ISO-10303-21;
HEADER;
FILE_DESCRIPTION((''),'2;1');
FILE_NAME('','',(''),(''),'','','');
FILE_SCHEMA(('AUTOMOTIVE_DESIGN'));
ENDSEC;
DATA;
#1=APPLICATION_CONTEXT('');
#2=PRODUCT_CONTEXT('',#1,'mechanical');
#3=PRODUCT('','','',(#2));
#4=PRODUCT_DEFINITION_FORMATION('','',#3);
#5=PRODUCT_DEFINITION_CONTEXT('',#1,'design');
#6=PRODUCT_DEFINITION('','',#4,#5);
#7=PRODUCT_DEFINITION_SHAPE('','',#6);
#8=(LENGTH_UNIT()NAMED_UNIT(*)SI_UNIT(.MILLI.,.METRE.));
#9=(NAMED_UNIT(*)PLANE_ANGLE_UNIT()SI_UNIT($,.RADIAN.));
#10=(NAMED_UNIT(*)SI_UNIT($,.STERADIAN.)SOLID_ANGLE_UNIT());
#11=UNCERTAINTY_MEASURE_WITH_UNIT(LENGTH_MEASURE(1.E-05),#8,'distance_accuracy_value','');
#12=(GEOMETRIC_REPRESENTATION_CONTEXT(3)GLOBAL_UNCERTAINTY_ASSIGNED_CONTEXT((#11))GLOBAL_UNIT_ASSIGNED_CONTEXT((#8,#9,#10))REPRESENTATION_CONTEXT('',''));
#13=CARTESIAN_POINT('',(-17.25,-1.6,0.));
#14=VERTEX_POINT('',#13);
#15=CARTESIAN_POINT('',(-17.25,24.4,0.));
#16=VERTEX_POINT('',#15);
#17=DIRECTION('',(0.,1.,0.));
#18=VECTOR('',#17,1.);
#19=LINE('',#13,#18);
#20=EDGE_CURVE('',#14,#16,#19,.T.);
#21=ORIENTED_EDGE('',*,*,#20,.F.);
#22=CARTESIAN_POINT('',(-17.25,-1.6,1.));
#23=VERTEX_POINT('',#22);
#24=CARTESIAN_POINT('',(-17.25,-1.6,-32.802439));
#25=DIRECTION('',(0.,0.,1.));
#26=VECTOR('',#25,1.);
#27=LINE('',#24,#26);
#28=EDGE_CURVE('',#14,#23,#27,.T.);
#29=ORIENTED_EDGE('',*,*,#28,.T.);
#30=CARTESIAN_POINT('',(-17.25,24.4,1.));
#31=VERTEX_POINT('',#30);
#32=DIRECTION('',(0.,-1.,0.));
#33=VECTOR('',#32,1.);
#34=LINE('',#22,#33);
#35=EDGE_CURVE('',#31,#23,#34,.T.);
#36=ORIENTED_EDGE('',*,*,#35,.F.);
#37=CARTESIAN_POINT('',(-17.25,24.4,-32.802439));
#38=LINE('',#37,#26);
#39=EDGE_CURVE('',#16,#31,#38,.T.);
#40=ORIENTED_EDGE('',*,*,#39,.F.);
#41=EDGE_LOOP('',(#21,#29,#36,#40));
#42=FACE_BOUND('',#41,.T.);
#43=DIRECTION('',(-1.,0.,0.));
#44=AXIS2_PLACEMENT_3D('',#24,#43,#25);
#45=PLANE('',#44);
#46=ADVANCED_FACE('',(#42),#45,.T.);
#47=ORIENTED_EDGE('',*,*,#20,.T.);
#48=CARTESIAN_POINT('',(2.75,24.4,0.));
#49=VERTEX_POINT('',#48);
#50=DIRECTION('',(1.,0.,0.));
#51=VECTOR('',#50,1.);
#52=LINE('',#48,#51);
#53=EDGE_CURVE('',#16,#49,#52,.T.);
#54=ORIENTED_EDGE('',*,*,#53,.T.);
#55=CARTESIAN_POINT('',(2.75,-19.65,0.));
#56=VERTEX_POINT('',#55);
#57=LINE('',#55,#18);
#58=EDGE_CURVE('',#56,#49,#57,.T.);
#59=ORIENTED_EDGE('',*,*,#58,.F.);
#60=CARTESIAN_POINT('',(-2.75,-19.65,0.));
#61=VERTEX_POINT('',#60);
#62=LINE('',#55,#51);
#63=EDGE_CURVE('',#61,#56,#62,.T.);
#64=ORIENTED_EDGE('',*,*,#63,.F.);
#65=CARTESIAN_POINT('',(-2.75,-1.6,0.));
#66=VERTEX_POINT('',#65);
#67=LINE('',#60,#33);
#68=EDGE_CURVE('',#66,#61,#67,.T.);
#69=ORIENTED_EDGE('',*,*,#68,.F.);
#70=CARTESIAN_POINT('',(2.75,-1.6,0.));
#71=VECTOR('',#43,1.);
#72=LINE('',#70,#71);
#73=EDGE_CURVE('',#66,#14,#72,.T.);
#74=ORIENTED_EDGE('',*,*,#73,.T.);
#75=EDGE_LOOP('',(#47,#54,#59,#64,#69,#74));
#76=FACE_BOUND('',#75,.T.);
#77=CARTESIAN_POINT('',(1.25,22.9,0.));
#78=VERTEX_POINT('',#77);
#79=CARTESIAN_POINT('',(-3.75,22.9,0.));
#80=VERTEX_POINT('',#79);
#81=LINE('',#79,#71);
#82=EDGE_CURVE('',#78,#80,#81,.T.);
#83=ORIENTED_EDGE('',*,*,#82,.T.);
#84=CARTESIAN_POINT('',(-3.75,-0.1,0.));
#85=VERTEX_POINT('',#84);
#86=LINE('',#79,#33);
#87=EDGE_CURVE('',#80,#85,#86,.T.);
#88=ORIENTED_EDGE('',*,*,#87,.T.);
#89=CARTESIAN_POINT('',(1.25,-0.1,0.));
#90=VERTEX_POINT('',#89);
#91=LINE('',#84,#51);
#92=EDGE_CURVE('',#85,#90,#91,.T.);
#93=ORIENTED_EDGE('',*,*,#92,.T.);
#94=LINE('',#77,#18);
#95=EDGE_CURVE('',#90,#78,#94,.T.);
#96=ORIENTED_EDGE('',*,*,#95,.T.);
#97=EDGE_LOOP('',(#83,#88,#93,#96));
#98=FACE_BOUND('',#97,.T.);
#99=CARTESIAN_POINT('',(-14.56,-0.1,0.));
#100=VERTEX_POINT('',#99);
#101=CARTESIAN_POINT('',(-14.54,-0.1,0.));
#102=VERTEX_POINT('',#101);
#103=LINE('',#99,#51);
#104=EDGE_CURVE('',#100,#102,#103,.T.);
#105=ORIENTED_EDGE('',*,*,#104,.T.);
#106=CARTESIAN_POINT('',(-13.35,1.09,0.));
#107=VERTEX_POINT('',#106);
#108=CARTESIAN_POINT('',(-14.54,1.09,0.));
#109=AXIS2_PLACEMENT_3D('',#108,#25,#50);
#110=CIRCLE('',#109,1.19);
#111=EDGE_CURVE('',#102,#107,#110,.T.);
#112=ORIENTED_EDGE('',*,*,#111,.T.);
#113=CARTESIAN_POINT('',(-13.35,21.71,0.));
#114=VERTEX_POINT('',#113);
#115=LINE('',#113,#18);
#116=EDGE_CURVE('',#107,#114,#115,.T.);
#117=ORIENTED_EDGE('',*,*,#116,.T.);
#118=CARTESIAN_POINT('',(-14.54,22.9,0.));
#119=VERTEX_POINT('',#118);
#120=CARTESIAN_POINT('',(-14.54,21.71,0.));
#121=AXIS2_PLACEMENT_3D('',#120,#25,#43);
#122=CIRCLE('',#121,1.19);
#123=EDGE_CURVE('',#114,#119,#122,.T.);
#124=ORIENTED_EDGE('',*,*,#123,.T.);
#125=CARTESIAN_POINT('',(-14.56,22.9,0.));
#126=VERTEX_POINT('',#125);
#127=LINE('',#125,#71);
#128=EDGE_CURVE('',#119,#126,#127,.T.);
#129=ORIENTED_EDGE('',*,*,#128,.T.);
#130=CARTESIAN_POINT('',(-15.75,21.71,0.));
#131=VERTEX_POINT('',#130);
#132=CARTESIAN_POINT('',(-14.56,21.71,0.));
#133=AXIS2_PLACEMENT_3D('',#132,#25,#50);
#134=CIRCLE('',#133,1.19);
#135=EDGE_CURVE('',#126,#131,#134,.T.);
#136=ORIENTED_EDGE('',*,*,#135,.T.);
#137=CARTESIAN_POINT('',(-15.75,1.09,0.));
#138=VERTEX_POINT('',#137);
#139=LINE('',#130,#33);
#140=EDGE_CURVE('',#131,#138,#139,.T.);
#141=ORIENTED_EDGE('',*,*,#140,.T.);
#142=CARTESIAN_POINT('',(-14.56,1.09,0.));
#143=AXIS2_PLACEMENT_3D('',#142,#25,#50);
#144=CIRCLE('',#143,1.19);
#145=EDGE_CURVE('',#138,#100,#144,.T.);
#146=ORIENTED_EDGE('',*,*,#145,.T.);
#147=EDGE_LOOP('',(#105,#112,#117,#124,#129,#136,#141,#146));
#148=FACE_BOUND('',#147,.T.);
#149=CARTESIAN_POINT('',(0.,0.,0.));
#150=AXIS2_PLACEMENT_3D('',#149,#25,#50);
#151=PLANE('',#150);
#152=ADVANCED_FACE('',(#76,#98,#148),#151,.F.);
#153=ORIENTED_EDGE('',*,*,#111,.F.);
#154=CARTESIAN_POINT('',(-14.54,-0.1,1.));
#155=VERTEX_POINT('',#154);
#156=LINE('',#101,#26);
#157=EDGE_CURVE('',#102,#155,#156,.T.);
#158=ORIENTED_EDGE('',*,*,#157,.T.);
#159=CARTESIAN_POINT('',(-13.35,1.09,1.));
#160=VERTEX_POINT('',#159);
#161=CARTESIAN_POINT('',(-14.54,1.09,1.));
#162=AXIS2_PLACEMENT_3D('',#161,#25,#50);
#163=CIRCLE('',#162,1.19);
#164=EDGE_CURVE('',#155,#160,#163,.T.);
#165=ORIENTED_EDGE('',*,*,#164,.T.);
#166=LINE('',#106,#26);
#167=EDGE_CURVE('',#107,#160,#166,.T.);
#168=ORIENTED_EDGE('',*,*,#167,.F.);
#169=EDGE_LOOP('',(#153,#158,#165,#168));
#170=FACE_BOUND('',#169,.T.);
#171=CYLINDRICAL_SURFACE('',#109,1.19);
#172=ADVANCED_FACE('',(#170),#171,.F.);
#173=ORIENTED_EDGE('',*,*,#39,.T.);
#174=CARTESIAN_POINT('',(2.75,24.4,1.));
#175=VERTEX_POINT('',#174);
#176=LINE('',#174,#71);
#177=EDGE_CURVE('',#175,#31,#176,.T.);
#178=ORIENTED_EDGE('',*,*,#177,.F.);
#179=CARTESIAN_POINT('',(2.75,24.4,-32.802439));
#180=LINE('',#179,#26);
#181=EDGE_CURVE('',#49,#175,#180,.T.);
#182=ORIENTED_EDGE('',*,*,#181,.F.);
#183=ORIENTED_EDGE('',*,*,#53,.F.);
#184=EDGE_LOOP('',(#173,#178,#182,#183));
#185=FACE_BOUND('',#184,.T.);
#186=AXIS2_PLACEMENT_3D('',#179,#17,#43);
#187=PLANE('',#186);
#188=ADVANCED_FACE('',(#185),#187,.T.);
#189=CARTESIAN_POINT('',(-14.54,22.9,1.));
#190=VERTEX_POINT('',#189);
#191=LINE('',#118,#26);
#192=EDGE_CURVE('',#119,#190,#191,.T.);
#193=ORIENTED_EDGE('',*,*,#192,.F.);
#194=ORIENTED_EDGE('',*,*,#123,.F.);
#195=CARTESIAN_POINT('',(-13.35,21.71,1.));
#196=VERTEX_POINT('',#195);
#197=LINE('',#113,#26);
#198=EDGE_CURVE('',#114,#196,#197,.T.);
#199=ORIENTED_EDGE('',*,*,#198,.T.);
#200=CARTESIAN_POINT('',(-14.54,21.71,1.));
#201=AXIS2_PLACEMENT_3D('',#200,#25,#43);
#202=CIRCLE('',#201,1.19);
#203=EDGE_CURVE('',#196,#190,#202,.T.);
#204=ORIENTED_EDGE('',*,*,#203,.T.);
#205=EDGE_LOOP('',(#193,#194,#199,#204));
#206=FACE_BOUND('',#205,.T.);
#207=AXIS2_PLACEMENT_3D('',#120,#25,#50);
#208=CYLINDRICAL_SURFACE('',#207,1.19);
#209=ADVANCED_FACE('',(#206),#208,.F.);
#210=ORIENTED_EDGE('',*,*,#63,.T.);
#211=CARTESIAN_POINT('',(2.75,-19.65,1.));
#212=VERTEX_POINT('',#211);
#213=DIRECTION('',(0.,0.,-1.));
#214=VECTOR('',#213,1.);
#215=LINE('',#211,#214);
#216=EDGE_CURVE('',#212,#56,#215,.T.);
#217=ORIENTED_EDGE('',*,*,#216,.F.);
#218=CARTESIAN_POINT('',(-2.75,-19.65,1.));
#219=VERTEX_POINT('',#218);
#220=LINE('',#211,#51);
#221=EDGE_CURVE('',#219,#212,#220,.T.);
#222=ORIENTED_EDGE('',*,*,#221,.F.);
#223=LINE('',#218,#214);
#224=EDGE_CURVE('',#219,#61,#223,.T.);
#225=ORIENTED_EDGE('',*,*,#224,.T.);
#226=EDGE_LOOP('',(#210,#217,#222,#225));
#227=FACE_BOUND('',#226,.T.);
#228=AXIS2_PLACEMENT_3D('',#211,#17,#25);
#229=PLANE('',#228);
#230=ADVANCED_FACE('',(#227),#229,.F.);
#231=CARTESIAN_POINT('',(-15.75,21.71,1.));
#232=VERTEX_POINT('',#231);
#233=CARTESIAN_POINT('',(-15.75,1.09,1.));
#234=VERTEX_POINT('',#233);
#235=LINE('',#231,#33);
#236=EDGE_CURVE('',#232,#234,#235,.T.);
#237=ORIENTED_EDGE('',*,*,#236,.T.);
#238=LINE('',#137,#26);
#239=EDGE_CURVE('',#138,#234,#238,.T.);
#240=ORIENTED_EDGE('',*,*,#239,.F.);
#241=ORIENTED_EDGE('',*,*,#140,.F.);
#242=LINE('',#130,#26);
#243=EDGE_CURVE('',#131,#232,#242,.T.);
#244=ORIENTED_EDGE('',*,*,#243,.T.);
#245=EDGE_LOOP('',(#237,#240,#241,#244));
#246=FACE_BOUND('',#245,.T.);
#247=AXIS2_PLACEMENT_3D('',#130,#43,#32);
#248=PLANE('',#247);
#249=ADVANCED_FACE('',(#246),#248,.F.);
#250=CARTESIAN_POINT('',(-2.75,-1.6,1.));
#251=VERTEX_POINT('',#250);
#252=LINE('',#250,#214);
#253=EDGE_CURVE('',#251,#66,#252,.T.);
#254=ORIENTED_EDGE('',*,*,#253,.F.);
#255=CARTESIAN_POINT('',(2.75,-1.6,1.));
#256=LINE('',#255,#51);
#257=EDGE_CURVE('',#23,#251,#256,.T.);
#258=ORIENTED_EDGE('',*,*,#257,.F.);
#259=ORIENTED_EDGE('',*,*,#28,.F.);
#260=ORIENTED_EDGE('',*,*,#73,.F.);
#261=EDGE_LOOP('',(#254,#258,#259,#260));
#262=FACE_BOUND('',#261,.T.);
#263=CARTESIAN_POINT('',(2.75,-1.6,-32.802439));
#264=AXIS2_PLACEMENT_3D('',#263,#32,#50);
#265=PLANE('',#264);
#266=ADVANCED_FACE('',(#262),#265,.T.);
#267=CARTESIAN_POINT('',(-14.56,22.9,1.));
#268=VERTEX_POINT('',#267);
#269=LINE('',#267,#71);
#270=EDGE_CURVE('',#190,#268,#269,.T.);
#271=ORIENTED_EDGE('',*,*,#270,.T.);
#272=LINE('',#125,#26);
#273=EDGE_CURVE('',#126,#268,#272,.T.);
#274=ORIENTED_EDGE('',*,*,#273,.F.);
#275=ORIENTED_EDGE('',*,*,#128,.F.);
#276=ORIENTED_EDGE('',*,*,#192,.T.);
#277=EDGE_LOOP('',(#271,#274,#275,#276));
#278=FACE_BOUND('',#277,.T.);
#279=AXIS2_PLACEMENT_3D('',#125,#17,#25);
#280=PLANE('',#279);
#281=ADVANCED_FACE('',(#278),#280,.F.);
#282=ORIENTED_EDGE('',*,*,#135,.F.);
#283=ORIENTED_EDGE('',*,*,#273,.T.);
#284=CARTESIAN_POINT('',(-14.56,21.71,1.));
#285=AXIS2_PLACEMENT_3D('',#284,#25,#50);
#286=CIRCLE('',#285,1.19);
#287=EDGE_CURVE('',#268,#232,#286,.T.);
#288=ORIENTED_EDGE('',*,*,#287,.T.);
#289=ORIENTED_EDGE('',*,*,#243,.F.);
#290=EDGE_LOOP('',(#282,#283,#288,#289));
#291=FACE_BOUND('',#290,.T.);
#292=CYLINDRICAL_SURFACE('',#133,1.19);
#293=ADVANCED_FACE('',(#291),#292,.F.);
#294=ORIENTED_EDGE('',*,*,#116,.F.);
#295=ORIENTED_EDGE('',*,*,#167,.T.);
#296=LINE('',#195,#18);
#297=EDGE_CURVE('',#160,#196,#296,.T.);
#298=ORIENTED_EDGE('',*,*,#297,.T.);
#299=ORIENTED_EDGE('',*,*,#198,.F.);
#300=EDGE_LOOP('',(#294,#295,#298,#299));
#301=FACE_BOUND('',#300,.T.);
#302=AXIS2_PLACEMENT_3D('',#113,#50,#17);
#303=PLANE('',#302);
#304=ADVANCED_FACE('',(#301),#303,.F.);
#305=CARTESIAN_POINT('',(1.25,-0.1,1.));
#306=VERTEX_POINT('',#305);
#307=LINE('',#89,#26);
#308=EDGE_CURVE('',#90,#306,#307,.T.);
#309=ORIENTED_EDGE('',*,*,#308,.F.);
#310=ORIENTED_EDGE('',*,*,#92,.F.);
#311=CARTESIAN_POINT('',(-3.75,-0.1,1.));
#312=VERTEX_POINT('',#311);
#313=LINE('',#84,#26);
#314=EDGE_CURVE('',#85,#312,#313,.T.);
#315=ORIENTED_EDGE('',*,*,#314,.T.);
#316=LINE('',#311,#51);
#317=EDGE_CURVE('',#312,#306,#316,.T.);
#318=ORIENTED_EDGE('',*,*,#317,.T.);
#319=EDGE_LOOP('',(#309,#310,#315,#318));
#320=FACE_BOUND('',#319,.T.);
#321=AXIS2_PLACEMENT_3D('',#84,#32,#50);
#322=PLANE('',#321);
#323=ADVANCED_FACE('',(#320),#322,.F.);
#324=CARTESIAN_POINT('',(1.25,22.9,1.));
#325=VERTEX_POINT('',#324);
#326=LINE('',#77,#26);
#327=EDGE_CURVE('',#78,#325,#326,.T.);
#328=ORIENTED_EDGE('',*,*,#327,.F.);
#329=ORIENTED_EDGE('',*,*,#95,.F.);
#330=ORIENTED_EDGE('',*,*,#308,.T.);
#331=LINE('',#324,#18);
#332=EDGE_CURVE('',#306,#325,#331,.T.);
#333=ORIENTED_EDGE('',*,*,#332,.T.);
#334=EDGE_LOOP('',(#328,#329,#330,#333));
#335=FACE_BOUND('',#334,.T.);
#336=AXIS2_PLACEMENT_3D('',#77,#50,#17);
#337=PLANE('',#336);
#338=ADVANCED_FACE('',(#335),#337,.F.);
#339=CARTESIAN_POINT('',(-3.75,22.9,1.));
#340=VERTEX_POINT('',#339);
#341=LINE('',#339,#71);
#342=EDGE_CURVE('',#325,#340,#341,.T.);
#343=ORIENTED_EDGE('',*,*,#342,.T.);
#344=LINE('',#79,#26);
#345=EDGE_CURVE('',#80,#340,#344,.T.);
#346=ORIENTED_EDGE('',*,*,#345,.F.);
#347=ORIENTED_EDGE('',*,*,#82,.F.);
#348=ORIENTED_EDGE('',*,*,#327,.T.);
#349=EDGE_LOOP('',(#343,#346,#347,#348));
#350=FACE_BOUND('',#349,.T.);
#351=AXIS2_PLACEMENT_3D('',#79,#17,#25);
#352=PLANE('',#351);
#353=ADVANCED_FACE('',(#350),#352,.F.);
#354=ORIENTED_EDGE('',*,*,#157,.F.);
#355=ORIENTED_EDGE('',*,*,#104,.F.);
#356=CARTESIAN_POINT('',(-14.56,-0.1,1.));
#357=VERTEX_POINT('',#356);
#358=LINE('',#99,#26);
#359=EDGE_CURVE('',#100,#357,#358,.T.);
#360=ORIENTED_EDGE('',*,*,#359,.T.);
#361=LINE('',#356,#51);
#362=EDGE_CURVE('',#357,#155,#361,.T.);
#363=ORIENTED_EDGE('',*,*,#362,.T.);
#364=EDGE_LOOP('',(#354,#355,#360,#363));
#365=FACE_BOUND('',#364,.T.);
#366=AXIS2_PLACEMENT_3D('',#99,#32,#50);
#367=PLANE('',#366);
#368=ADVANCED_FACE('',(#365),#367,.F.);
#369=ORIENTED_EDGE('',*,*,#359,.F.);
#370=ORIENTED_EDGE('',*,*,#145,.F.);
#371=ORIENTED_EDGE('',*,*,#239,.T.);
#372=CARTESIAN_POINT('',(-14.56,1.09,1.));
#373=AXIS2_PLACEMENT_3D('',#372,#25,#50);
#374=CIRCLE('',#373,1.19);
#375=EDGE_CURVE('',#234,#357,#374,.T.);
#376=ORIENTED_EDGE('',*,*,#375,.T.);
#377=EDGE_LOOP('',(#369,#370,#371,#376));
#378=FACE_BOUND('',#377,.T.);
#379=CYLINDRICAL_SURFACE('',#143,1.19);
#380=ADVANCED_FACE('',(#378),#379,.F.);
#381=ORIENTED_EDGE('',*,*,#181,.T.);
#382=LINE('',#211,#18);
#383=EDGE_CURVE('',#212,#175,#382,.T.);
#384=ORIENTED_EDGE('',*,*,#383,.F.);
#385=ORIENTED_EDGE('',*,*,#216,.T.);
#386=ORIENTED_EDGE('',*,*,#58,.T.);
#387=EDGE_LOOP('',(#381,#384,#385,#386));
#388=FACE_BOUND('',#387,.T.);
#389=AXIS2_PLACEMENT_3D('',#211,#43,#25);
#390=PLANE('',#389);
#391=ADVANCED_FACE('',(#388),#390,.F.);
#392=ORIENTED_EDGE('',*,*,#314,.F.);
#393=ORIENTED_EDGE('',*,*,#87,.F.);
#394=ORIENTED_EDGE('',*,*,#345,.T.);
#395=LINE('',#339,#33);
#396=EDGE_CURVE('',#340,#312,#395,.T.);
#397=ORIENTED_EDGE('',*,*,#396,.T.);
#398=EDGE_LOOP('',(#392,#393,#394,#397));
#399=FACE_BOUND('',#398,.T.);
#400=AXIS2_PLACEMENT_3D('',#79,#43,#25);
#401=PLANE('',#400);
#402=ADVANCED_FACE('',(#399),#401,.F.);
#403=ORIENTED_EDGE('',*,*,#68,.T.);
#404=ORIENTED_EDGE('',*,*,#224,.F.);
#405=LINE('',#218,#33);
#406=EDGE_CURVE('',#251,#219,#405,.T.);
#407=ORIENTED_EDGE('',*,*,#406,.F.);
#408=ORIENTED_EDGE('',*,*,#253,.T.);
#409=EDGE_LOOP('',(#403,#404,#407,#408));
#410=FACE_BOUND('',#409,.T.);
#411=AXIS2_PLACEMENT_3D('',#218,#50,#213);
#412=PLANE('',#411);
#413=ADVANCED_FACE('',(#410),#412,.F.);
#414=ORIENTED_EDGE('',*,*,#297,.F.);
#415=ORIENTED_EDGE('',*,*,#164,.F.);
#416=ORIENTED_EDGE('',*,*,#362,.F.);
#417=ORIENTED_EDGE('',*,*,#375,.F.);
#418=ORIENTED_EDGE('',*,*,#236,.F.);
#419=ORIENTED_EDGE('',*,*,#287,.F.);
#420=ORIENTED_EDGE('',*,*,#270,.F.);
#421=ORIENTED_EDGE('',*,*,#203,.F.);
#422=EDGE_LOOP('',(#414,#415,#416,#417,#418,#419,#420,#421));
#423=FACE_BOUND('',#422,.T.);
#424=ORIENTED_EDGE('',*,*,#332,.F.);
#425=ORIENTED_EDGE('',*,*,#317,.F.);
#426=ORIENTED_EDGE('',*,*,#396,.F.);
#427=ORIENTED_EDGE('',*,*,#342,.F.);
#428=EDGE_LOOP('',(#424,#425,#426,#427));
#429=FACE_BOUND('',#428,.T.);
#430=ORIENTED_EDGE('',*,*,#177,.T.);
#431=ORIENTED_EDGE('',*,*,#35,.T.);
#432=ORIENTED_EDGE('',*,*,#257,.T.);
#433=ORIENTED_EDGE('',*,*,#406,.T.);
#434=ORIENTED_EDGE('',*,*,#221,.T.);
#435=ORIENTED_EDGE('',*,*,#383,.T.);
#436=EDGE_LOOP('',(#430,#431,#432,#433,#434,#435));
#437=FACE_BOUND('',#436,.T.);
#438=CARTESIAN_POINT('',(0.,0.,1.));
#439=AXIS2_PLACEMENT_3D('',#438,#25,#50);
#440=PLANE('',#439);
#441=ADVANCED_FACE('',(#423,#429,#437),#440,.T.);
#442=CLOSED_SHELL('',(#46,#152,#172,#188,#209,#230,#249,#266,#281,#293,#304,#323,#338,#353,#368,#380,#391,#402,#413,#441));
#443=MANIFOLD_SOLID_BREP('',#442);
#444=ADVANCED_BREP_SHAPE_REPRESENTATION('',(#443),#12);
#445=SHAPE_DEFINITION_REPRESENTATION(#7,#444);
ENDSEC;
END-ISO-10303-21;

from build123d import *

# Parameters (mm, degrees)
SKETCH1_W           = 5.5
SKETCH1_H           = 39.3
BOSS_EXTRUDE1_DEPTH = 1
SKETCH3_W           = 20
SKETCH3_H           = 26
BOSS_EXTRUDE5_DEPTH = 1
CUT_EXTRUDE3_DEPTH  = 1
SKETCH5_W           = 5
SKETCH5_H           = 23
CUT_EXTRUDE4_DEPTH  = 1


with BuildPart() as part:
    # Sketch1 → Boss-Extrude1 (new body)
    with BuildSketch(Plane.XY):
        Rectangle(SKETCH1_W, SKETCH1_H)
    extrude(amount=BOSS_EXTRUDE1_DEPTH)

    # Sketch3 → Boss-Extrude5 (add)
    with BuildSketch(Plane.XY.offset(1)):
        with Locations((-7.25, 11.4)):
            Rectangle(SKETCH3_W, SKETCH3_H)
    extrude(amount=-BOSS_EXTRUDE5_DEPTH)

    # Sketch4 → Cut-Extrude3 (cut)
    with BuildSketch(Plane.XY.offset(1)):
        with BuildLine():
            Line((-14.56, 22.9), (-14.54, 22.9))
            ThreePointArc((-14.54, 22.9), (-13.69854293, 22.55145707), (-13.35, 21.71))
            Line((-13.35, 21.71), (-13.35, 1.09))
            ThreePointArc((-13.35, 1.09), (-13.69854293, 0.24854293), (-14.54, -0.1))
            Line((-14.54, -0.1), (-14.56, -0.1))
            ThreePointArc((-14.56, -0.1), (-15.40145707, 0.24854293), (-15.75, 1.09))
            Line((-15.75, 1.09), (-15.75, 21.71))
            ThreePointArc((-15.75, 21.71), (-15.40145707, 22.55145707), (-14.56, 22.9))
        make_face()
    extrude(amount=-CUT_EXTRUDE3_DEPTH, mode=Mode.SUBTRACT)

    # Sketch5 → Cut-Extrude4 (cut)
    with BuildSketch(Plane.XY.offset(1)):
        with Locations((-1.25, 11.4)):
            Rectangle(SKETCH5_W, SKETCH5_H)
    extrude(amount=-CUT_EXTRUDE4_DEPTH, mode=Mode.SUBTRACT)


solid = part.part
